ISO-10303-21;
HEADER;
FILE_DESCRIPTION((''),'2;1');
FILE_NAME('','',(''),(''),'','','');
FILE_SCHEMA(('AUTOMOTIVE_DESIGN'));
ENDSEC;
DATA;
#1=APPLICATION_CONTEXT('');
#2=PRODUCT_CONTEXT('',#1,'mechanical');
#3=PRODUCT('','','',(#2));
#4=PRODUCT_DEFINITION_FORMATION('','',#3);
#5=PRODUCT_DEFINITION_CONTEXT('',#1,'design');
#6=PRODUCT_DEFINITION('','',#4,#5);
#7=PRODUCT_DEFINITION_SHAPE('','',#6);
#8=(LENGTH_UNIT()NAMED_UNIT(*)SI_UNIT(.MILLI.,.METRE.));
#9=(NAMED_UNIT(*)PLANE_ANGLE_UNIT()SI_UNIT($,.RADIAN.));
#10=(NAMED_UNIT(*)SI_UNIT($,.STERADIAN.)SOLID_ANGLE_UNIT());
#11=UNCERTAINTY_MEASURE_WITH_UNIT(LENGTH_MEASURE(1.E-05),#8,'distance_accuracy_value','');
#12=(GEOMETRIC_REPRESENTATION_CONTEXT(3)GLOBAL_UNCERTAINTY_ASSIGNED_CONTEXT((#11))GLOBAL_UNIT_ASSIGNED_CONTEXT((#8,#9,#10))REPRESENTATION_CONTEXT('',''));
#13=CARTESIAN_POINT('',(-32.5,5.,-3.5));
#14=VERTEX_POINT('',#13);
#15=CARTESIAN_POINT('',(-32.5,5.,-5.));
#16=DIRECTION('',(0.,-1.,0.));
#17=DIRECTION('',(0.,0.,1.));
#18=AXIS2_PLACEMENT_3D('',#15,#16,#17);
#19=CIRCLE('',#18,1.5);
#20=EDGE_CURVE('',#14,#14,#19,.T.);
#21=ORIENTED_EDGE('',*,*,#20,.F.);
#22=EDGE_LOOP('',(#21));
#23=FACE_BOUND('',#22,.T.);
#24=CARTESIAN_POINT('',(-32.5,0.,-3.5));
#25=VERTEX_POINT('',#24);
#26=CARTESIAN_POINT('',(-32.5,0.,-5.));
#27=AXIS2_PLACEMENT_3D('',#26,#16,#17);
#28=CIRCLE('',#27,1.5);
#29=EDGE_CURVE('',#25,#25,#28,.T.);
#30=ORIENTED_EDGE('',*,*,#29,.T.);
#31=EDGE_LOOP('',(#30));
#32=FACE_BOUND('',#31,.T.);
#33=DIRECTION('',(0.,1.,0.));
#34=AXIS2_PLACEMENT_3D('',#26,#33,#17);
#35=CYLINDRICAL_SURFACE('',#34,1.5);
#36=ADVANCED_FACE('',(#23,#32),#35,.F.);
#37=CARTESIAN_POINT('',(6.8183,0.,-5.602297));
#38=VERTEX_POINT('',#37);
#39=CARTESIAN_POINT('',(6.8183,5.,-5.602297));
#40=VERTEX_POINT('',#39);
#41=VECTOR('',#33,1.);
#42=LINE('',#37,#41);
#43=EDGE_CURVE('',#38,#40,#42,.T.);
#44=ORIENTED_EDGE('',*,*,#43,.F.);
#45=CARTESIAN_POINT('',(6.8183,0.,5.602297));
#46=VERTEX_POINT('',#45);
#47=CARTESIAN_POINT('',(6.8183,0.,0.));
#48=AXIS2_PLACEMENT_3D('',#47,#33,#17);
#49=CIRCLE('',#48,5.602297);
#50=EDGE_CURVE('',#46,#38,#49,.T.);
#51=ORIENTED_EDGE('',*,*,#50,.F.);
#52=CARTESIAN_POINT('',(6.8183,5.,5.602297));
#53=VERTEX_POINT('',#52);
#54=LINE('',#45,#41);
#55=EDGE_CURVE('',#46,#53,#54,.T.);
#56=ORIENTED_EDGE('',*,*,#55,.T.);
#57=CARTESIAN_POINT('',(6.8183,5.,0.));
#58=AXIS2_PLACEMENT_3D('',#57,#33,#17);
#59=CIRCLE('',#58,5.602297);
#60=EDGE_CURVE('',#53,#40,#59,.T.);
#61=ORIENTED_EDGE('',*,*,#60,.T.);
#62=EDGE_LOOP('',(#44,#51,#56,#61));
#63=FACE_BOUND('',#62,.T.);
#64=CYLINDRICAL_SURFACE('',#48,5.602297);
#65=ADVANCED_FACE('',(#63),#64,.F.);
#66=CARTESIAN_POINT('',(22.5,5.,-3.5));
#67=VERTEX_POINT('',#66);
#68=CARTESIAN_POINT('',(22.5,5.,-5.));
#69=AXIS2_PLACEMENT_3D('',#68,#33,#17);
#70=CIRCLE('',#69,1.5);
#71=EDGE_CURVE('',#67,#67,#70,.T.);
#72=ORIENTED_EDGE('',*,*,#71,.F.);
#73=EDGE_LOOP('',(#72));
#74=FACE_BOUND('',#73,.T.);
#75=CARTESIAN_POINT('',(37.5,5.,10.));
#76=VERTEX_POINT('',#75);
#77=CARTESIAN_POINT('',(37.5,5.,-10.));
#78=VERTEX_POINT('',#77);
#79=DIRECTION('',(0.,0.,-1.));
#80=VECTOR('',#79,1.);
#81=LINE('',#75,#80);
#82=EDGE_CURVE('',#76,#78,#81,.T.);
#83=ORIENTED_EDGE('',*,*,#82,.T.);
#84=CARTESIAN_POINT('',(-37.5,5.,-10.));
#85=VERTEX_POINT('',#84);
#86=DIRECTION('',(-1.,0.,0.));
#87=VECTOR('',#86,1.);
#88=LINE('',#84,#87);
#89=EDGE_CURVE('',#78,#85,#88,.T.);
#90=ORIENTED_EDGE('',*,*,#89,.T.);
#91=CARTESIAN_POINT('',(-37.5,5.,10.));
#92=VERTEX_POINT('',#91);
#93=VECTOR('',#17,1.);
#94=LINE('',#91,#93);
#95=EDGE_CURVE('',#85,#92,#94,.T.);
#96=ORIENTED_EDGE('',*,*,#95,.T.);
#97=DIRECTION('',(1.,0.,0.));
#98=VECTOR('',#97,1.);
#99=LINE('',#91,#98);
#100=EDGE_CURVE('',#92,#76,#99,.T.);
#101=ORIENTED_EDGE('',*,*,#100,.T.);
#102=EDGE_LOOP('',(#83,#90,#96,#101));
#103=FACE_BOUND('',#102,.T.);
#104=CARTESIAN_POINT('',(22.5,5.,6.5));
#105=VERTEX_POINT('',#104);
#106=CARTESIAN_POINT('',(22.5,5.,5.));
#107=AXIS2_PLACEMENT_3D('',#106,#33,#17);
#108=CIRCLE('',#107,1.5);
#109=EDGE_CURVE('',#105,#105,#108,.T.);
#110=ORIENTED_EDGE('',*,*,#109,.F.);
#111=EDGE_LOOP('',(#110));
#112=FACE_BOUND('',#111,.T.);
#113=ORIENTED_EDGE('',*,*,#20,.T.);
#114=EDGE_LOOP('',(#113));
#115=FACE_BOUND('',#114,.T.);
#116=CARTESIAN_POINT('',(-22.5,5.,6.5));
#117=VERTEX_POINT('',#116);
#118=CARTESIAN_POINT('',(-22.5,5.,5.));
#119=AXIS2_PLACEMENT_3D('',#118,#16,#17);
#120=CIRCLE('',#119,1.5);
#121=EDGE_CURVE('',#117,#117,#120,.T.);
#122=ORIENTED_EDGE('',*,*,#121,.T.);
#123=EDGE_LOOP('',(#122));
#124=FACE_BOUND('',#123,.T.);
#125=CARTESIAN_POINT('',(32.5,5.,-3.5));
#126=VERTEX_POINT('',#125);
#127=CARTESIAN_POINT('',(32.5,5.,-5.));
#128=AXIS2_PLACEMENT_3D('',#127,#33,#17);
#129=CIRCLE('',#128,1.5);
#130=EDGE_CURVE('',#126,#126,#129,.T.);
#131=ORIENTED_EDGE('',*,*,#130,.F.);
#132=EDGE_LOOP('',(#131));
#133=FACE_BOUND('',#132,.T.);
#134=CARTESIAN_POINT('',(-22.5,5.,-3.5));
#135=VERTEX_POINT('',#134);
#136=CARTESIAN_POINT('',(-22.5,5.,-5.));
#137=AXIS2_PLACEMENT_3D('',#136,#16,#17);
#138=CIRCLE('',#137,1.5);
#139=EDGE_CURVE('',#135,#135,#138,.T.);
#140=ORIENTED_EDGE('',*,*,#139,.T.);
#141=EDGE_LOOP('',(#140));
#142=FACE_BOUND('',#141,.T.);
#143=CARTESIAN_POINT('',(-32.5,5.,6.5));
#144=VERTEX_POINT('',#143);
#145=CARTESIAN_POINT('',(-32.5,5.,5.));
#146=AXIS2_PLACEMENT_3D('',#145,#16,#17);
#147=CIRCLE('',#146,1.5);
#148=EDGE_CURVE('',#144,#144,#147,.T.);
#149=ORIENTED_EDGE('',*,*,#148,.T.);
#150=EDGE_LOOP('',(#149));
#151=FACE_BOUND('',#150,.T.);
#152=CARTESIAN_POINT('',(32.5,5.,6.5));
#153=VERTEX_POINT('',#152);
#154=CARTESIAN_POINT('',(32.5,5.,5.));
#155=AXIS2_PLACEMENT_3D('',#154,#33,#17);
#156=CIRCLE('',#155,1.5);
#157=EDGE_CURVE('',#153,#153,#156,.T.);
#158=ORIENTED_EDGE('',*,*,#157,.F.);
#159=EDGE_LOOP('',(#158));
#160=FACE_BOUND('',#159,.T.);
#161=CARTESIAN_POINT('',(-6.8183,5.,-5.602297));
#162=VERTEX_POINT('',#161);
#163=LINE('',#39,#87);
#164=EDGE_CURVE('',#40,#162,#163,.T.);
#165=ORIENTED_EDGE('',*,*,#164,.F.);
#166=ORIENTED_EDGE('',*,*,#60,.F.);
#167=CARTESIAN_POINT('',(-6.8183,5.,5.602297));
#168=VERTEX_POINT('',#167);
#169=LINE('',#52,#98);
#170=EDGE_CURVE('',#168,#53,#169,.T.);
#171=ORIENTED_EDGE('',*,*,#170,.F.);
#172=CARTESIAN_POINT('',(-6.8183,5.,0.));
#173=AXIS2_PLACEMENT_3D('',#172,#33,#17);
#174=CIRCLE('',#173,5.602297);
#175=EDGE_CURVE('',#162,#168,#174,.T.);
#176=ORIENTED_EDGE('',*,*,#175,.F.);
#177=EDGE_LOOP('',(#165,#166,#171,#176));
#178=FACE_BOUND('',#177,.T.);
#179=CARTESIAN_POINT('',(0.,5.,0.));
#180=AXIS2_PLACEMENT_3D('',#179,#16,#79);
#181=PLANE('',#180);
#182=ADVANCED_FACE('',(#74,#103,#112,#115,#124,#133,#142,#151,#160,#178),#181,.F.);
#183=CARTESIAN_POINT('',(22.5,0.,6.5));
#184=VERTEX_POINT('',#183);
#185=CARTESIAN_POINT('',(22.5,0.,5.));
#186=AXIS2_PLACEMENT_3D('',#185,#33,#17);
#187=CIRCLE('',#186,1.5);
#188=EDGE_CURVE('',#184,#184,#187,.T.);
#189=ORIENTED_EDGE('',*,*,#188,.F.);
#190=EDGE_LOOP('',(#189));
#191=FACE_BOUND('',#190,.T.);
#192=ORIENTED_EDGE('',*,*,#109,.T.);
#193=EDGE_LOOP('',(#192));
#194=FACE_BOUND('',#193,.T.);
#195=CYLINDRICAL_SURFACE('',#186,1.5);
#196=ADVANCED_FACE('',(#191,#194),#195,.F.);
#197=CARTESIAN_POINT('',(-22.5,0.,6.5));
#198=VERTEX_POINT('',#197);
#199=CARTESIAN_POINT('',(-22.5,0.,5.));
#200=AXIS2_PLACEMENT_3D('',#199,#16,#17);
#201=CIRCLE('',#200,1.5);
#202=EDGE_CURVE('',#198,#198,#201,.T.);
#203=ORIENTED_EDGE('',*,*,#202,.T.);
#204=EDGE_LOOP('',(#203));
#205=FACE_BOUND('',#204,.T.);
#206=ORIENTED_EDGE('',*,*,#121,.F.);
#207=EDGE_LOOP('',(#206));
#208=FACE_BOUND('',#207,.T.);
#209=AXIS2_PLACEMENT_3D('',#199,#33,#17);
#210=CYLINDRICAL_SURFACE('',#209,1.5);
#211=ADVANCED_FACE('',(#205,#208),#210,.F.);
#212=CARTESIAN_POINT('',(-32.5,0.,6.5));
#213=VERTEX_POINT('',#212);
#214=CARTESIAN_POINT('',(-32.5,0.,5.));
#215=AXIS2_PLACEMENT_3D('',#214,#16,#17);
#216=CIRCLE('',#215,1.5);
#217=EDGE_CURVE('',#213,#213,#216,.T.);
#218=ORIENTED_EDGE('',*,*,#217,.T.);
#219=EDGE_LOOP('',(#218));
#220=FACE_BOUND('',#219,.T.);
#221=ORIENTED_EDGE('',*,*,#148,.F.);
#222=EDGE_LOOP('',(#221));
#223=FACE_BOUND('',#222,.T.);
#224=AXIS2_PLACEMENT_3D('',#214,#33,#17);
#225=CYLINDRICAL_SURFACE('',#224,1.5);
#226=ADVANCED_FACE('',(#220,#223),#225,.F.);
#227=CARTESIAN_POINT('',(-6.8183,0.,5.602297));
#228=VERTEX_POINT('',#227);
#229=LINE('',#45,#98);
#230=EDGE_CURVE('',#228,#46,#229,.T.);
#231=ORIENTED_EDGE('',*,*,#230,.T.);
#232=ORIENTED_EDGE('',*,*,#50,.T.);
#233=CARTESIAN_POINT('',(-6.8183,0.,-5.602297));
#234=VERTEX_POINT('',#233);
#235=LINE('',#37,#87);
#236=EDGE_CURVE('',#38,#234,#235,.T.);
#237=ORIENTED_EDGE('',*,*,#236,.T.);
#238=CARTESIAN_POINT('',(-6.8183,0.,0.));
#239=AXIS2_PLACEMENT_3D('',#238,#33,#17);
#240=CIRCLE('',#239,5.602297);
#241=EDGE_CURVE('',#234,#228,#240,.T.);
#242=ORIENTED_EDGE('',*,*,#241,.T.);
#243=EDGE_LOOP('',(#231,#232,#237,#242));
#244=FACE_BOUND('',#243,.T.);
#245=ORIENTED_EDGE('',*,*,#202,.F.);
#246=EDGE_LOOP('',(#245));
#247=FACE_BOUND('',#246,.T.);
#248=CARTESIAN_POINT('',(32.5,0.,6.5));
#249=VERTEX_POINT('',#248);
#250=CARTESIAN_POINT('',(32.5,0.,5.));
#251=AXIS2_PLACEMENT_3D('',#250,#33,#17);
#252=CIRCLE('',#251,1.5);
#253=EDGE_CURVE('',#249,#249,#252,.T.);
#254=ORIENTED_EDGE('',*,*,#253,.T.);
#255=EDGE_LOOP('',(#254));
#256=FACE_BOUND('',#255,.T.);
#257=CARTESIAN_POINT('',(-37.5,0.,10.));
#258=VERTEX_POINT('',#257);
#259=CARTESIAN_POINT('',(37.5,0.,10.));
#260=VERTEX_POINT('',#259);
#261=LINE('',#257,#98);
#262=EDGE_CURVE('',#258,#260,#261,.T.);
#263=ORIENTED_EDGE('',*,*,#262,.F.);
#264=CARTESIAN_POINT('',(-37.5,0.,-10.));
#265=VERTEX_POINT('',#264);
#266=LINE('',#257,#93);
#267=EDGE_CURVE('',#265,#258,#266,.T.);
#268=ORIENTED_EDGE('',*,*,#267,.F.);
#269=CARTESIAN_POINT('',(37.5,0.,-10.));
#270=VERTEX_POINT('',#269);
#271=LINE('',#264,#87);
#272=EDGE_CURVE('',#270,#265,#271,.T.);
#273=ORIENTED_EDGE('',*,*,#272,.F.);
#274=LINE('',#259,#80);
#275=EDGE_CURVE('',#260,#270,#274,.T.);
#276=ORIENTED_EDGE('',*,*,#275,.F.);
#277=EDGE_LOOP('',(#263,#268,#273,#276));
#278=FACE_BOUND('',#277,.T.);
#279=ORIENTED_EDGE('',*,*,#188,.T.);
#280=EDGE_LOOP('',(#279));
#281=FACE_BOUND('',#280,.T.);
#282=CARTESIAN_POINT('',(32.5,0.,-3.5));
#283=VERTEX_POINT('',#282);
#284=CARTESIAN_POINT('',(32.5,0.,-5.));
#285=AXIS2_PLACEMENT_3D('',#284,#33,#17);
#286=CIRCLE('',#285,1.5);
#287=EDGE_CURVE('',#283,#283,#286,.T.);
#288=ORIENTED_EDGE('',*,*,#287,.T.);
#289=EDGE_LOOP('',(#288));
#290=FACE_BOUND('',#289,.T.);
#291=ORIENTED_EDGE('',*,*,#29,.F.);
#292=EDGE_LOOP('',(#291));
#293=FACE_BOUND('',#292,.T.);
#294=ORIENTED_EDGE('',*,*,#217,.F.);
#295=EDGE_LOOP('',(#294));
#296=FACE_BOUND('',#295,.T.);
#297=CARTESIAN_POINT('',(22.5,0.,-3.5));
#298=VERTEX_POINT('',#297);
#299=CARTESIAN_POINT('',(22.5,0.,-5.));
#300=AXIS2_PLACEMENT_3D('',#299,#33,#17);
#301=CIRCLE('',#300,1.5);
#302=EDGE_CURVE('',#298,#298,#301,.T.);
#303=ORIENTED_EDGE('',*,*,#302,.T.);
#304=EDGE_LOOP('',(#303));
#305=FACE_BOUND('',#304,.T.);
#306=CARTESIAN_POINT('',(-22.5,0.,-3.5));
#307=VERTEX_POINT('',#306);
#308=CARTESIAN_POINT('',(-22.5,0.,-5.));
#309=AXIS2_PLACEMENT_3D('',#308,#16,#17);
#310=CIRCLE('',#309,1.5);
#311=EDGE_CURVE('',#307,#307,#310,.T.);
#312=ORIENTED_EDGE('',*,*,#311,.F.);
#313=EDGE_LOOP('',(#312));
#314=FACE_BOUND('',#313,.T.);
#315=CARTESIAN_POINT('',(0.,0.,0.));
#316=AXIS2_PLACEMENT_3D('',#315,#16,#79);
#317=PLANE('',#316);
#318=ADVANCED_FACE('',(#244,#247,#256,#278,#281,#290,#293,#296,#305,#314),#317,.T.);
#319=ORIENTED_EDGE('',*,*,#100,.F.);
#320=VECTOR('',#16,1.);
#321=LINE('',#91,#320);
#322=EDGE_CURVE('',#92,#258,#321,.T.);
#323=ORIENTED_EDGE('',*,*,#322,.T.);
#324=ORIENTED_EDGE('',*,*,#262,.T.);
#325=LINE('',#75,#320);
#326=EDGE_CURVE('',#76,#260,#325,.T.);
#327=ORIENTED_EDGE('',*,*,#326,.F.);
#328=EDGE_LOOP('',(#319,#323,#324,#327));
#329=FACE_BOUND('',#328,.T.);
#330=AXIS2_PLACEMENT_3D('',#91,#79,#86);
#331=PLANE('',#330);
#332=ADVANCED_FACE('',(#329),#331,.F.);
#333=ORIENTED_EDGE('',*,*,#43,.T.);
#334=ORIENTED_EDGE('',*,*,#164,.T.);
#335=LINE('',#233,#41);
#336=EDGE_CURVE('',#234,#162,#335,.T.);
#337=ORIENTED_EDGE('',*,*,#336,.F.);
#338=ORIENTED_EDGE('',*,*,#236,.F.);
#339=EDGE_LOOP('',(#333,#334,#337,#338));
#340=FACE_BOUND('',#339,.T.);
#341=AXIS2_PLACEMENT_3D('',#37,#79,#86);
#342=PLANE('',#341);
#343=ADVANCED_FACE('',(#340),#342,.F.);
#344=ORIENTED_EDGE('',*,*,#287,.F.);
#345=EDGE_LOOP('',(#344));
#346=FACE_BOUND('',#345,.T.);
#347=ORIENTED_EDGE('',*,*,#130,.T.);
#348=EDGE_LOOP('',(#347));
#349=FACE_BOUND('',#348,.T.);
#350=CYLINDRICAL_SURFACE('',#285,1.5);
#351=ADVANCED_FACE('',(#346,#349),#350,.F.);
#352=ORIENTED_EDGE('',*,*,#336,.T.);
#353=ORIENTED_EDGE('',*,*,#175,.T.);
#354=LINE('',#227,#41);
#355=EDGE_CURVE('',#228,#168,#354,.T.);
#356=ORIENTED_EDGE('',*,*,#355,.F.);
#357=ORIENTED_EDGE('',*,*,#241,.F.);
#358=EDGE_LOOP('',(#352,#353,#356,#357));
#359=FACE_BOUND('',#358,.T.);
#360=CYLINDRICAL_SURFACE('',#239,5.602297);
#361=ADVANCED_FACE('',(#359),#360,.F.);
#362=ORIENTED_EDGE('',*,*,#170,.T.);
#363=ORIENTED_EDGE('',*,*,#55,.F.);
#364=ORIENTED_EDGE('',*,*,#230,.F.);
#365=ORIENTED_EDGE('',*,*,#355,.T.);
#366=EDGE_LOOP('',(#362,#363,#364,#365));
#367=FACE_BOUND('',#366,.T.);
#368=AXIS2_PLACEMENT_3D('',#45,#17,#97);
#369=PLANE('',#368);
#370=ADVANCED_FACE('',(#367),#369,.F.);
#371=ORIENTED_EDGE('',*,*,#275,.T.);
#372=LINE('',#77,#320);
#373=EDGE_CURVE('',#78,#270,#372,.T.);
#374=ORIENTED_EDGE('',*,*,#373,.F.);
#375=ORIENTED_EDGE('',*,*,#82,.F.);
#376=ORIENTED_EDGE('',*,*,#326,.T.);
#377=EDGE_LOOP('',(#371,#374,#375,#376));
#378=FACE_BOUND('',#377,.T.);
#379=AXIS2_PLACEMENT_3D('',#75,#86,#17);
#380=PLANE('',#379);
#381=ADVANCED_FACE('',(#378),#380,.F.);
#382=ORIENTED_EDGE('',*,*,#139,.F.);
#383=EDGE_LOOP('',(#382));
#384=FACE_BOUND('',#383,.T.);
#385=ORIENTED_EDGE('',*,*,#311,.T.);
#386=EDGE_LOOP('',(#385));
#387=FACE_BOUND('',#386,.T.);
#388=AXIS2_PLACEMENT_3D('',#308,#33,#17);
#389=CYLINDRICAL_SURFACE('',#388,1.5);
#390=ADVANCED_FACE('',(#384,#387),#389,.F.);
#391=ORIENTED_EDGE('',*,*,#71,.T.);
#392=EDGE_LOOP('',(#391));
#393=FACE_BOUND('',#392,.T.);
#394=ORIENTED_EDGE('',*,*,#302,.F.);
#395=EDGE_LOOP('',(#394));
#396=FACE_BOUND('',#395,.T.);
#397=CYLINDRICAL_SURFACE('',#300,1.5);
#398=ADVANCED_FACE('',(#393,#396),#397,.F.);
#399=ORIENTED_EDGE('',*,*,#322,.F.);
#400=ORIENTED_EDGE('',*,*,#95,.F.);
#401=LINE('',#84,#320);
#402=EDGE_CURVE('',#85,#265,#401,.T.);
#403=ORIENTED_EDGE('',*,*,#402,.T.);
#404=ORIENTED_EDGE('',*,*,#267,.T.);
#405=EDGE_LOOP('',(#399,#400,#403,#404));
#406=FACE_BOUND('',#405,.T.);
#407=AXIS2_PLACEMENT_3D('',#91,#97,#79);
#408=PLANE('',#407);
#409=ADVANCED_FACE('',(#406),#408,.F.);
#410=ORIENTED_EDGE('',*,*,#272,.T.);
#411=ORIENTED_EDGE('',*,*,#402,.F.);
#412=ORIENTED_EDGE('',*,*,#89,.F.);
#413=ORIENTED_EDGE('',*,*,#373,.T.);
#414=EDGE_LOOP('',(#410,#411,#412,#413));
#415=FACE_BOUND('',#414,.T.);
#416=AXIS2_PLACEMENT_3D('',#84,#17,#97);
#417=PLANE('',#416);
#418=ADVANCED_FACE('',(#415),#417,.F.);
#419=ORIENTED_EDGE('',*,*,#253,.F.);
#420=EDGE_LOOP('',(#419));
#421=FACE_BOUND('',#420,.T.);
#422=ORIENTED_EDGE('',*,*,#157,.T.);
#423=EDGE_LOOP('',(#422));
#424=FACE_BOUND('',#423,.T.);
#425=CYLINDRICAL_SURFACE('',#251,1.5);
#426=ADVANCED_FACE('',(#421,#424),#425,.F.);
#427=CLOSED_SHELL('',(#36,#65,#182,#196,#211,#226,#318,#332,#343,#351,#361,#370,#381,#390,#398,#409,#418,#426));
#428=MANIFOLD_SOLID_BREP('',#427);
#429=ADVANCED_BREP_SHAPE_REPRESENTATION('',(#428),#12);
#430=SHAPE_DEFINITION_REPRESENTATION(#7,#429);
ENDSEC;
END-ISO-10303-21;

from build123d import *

# Parameters (mm, degrees)
SKETCH_1_W          = 75
SKETCH_1_H          = 20
EXTRUDE_1_DEPTH     = 5
SKETCH_2_R          = 1.5
CUT_EXTRUDE_1_DEPTH = 40.131189606
CUT_EXTRUDE_2_DEPTH = 40.131189606


with BuildPart() as part:
    # 草图1 → 凸台-拉伸1 (new body)
    with BuildSketch(Plane(origin=(0, 0, 0), x_dir=(1, 0, 0), z_dir=(0, 1, 0))):
        Rectangle(SKETCH_1_W, SKETCH_1_H)
    extrude(amount=EXTRUDE_1_DEPTH)

    # 草图2 → 切除-拉伸1 (cut, through all)
    with BuildSketch(Plane(origin=(0, 5, 0), x_dir=(1, 0, 0), z_dir=(0, 1, 0))):
        with Locations(Location((22.5, 5, 0), (0, 0, 270))):
            Circle(SKETCH_2_R)
        with Locations(Location((32.5, 5, 0), (0, 0, 270))):
            Circle(SKETCH_2_R)
        with Locations(Location((22.5, -5, 0), (0, 0, 270))):
            Circle(SKETCH_2_R)
        with Locations(Location((32.5, -5, 0), (0, 0, 270))):
            Circle(SKETCH_2_R)
    cut_extrude_1 = extrude(amount=-CUT_EXTRUDE_1_DEPTH, mode=Mode.SUBTRACT)

    # 草图3 → 切除-拉伸2 (cut, through all)
    with BuildSketch(Plane(origin=(0, 5, 0), x_dir=(1, 0, 0), z_dir=(0, 1, 0))):
        with BuildLine():
            Line((6.81829997, -5.602297427), (-6.81829997, -5.602297427))
            ThreePointArc((-6.81829997, -5.602297427), (-12.420597397, 0), (-6.81829997, 5.602297427))
            Line((-6.81829997, 5.602297427), (6.81829997, 5.602297427))
            ThreePointArc((6.81829997, 5.602297427), (12.420597397, 0), (6.81829997, -5.602297427))
        make_face()
    extrude(amount=-CUT_EXTRUDE_2_DEPTH, mode=Mode.SUBTRACT)

    # 镜向1: 切除-拉伸1 across plane
    add(cut_extrude_1.mirror(Plane(origin=(0, 0, 0), x_dir=(0, 0, 1), z_dir=(1, 0, 0))), mode=Mode.SUBTRACT)


solid = part.part
